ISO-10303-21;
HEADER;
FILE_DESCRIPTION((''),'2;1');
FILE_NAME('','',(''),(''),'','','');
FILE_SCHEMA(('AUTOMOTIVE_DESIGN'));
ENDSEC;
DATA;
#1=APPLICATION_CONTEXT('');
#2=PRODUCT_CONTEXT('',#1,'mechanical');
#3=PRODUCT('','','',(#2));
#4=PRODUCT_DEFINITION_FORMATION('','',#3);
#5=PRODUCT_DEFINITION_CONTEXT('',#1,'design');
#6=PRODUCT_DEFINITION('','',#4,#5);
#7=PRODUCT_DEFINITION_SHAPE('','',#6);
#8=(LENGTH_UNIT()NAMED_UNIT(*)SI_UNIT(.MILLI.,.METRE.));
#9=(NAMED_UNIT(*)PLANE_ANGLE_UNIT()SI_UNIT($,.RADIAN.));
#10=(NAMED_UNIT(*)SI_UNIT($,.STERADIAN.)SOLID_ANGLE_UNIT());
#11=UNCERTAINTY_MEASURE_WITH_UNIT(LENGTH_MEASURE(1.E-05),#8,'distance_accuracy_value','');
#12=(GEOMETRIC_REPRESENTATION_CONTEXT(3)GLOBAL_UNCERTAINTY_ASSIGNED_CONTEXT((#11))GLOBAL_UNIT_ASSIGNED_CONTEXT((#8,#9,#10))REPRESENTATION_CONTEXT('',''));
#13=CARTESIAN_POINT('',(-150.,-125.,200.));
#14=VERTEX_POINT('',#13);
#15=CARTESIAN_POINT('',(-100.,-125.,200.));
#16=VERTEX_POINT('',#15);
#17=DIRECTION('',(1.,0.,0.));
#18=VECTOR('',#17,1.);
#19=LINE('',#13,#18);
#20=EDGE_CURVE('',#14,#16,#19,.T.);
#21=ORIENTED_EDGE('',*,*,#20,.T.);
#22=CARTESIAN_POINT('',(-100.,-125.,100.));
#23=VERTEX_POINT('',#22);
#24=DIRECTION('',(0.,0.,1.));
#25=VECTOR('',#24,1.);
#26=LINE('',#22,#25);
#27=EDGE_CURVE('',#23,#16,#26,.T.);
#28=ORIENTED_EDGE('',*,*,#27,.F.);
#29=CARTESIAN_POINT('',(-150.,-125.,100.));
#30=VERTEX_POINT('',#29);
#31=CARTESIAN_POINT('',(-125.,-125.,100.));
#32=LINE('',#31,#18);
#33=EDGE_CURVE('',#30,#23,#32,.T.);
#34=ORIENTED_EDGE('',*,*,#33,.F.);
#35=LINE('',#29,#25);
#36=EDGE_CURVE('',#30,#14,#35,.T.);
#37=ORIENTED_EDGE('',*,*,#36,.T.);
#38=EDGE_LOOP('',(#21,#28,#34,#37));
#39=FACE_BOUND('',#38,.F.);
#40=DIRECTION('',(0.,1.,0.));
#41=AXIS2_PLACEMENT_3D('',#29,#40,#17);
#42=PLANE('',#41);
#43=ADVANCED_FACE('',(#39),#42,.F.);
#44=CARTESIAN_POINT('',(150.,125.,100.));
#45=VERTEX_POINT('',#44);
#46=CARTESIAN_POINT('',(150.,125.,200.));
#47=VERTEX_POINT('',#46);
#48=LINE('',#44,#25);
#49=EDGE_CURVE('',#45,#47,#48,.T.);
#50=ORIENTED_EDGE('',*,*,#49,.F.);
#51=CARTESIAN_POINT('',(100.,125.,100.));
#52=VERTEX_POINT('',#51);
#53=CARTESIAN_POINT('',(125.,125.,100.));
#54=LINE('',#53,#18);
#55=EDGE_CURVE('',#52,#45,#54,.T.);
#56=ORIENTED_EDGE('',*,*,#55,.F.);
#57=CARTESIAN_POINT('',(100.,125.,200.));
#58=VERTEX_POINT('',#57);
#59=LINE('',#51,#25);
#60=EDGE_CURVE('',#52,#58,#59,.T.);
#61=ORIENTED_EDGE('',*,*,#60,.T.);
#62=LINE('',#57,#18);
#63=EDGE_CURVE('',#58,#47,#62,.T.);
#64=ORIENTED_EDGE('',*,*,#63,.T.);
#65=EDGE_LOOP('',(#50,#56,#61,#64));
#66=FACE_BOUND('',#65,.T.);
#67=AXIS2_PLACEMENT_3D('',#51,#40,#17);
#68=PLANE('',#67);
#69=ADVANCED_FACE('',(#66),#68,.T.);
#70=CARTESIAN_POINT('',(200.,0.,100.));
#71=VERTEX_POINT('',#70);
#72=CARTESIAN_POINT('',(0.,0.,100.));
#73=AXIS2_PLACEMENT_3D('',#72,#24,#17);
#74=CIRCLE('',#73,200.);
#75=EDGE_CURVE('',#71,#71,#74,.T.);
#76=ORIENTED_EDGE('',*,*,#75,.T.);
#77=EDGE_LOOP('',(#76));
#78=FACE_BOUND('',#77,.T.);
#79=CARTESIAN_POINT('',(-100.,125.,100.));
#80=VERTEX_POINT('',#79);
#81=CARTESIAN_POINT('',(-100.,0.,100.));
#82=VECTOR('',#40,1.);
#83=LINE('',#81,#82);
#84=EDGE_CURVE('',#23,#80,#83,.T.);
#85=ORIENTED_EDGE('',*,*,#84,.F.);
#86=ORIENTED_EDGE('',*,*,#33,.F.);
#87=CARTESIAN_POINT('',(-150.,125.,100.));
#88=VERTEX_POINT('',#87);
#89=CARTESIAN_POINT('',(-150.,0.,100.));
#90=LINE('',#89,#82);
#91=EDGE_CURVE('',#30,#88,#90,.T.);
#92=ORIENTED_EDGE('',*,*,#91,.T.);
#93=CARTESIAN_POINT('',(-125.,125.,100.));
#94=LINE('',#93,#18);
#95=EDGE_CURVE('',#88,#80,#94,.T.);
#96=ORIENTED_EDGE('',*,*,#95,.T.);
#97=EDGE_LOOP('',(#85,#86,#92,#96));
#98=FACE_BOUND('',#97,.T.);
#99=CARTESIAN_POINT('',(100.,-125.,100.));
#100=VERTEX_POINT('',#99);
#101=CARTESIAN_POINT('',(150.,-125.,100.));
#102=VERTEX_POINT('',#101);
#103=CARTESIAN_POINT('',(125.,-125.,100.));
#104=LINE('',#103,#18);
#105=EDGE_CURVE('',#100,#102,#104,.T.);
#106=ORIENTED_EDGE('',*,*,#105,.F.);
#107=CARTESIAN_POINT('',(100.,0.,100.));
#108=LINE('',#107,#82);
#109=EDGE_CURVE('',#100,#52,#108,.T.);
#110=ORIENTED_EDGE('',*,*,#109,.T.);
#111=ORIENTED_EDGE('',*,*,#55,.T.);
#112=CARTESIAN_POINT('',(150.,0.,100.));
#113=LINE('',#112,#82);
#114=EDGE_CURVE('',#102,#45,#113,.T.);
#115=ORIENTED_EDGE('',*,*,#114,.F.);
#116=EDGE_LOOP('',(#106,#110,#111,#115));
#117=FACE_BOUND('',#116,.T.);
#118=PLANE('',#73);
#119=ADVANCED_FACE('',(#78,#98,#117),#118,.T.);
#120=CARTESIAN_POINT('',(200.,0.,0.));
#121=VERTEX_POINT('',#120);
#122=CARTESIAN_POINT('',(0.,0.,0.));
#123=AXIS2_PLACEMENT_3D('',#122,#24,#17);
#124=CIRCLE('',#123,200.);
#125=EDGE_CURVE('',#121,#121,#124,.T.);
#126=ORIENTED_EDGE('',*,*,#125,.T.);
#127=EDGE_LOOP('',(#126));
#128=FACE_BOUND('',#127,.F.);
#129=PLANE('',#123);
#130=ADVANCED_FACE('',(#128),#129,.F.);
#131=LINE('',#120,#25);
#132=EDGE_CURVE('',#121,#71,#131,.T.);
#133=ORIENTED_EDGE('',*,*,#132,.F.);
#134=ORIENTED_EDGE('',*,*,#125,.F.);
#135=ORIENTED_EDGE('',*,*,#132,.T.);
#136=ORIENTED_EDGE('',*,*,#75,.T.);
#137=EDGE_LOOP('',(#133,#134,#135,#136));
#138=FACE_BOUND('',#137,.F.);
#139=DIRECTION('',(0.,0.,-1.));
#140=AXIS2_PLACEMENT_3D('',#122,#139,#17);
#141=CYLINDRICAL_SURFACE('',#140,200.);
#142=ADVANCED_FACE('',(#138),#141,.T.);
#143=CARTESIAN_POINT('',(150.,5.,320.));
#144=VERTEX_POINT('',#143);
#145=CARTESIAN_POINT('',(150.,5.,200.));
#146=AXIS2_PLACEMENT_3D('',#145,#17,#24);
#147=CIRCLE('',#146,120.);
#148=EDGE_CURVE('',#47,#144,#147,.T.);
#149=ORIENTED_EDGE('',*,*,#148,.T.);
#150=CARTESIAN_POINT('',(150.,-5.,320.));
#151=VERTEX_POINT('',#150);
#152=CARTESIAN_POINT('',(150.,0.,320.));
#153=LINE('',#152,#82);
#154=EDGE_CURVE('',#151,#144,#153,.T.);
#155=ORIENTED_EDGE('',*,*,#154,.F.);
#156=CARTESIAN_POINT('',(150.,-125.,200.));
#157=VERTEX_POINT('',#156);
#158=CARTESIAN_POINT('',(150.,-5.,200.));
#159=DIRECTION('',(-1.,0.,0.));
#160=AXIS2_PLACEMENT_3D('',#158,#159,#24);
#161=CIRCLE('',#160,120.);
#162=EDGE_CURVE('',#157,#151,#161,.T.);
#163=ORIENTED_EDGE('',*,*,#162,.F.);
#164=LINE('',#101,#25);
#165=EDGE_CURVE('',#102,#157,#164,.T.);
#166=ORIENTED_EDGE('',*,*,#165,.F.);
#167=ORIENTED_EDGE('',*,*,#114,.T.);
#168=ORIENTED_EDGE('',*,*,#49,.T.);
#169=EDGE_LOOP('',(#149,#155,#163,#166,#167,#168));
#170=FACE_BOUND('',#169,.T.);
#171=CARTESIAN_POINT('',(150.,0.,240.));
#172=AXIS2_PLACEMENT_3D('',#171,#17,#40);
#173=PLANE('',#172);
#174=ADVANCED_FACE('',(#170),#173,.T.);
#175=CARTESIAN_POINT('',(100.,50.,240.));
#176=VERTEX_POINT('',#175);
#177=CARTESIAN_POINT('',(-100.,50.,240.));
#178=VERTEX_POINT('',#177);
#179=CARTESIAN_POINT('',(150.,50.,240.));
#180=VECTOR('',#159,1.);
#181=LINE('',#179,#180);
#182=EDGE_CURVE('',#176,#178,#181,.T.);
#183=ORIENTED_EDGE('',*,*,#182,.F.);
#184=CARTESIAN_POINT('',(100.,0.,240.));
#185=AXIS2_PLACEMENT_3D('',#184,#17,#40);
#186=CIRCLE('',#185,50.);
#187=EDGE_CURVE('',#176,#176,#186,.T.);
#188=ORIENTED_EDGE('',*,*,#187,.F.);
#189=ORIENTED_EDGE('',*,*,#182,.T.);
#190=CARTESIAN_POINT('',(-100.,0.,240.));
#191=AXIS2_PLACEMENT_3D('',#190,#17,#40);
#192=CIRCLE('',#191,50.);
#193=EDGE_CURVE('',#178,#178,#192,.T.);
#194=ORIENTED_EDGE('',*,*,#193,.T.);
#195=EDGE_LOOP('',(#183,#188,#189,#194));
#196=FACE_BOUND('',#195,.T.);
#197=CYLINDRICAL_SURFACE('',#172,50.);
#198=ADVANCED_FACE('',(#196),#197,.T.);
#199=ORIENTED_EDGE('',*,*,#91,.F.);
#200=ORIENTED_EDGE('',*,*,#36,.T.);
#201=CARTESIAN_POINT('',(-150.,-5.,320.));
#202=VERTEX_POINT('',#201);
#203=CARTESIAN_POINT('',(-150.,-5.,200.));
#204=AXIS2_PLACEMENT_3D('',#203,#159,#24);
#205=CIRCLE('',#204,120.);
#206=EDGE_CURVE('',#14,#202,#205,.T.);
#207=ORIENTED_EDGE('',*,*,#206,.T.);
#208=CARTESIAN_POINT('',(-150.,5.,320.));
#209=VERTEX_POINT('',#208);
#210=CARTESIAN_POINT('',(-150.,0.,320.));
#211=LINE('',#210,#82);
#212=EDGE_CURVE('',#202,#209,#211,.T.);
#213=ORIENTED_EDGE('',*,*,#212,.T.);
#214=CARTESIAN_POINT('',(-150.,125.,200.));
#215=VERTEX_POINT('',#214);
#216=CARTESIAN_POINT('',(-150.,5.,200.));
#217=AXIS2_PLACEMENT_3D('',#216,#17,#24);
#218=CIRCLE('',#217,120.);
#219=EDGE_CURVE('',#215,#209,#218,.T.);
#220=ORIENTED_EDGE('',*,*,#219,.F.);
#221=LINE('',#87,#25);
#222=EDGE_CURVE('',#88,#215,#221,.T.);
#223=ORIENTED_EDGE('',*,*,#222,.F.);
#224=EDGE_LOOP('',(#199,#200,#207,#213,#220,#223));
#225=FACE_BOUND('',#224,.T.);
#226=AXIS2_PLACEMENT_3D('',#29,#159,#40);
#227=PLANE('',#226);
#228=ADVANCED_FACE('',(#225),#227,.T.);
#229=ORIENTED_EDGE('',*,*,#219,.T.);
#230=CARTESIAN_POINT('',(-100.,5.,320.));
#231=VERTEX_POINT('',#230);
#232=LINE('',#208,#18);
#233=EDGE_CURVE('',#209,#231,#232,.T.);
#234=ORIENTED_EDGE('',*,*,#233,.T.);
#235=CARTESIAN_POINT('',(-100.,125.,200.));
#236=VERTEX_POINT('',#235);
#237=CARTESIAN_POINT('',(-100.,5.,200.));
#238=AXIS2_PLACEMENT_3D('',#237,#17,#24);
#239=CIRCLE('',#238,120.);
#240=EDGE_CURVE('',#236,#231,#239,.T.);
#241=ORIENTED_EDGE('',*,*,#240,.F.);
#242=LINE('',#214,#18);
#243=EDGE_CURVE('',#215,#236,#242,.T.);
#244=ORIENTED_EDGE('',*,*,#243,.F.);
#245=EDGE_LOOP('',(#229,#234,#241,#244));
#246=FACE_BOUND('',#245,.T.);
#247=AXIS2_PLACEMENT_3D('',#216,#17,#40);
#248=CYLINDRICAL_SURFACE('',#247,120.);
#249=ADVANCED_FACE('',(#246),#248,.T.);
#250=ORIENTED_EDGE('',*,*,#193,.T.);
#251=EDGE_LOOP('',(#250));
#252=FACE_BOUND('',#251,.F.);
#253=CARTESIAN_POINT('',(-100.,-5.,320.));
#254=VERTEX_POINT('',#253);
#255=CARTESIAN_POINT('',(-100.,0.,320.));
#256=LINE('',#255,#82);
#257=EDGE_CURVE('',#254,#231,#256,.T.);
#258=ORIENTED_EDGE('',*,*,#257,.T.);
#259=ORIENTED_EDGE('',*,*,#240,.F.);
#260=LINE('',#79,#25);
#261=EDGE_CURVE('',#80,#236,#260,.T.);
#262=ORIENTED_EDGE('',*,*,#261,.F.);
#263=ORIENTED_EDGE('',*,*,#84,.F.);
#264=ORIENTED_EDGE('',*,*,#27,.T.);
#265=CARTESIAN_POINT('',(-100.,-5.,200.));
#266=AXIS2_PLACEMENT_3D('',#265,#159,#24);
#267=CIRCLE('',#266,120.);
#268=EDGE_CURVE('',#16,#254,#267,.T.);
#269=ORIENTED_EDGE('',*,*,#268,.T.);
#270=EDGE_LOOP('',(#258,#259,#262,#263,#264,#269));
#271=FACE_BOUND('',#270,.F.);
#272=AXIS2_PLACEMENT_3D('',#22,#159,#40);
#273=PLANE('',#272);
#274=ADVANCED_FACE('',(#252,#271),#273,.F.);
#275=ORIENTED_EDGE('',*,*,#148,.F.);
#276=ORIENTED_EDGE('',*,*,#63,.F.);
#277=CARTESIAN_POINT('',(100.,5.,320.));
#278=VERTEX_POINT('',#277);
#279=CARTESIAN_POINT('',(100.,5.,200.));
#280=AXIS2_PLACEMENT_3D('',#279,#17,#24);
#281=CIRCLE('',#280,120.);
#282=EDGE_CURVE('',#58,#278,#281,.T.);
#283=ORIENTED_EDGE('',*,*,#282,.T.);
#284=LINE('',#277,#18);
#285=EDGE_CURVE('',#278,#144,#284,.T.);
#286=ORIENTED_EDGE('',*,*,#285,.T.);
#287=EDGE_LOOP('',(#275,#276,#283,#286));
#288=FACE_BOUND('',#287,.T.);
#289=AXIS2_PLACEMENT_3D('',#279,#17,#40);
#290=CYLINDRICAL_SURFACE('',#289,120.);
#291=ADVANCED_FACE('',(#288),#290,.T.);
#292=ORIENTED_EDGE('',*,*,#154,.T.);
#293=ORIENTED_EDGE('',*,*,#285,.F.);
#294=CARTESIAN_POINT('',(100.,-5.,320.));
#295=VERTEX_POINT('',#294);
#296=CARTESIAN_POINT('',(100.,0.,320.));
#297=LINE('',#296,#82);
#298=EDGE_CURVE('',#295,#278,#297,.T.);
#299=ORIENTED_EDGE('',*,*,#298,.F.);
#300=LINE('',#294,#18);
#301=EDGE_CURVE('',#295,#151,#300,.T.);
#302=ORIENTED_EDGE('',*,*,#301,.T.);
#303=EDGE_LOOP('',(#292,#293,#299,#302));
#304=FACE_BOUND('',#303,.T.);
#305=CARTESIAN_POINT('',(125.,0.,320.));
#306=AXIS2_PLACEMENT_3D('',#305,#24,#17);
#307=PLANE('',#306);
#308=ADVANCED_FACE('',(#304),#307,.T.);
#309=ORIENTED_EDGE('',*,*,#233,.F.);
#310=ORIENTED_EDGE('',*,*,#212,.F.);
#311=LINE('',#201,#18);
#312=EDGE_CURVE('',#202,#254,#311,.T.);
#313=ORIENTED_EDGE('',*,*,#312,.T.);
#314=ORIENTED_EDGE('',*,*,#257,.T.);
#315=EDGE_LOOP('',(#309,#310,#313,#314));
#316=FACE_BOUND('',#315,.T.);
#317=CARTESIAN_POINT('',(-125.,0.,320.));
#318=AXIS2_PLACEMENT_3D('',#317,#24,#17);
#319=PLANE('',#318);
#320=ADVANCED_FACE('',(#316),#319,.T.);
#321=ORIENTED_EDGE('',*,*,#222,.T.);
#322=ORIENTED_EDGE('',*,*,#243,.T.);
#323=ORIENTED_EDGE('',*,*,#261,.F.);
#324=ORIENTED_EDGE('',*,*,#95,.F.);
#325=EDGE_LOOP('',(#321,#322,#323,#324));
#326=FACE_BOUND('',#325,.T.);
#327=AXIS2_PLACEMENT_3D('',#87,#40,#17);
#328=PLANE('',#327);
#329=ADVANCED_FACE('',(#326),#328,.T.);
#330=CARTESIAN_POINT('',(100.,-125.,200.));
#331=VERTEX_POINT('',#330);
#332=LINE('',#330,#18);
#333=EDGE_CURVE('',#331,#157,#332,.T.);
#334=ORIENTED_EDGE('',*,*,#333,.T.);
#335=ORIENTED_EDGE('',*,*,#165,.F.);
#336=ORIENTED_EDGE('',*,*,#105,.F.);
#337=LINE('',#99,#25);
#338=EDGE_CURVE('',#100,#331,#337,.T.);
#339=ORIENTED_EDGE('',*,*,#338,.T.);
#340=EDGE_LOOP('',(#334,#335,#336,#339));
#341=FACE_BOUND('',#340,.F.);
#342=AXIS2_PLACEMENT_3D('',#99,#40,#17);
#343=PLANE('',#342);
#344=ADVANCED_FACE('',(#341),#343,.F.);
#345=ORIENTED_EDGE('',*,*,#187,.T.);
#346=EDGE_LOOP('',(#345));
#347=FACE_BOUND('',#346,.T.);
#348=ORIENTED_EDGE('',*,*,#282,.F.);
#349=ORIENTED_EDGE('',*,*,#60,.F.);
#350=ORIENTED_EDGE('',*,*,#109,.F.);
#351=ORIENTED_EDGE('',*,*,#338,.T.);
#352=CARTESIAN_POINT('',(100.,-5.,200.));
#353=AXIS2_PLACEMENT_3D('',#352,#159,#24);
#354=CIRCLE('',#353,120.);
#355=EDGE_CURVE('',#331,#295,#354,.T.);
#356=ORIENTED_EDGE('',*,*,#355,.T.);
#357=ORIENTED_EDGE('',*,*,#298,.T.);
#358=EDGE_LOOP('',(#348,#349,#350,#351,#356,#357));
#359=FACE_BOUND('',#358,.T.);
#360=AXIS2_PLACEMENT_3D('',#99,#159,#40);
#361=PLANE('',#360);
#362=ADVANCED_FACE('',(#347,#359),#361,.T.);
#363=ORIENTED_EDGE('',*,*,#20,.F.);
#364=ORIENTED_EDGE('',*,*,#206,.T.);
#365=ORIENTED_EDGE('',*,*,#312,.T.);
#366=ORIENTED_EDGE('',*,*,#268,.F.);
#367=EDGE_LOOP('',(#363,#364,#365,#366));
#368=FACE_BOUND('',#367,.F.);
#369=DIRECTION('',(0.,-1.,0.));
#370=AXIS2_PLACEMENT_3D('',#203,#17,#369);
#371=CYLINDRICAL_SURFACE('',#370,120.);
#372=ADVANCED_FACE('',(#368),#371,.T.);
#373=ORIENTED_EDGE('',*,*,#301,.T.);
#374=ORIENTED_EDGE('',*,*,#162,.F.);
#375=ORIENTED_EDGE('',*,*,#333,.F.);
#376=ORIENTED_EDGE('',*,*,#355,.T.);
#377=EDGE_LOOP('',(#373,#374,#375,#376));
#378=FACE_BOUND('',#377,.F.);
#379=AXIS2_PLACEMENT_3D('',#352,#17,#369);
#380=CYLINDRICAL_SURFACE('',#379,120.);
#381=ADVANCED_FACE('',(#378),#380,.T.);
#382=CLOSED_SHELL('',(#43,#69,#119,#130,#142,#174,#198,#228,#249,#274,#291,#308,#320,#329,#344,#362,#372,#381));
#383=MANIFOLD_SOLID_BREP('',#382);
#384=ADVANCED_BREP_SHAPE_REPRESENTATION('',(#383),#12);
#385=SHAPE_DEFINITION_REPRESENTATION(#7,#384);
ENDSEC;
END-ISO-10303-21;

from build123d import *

# Parameters (mm, degrees)
SKETCH_R     = 200
PAD_DEPTH    = 100
SKETCH001_W  = 50
SKETCH001_H  = 250
PAD001_DEPTH = 220
FILLET_R     = 120
SKETCH002_R  = 50
PAD002_DEPTH = 300


with BuildPart() as part:
    # Sketch → Pad (new body)
    with BuildSketch(Plane.XY):
        Circle(SKETCH_R)
    extrude(amount=PAD_DEPTH)

    # Sketch001 (on Face3 of Pad) → Pad001 (join)
    with BuildSketch(Plane.XY.offset(100)):
        with Locations((-125, 0)):
            Rectangle(SKETCH001_W, SKETCH001_H)
        with Locations((125, 0)):
            Rectangle(SKETCH001_W, SKETCH001_H)
    extrude(amount=PAD001_DEPTH)

    # Fillet
    fillet_edges = [part.edges().sort_by_distance(p)[0] for p in [
        (-125, -125, 320),
        (125, -125, 320),
        (125, 125, 320),
        (-125, 125, 320),
    ]]
    fillet(fillet_edges, radius=FILLET_R)

    # Sketch002 (on Face12 of Fillet) → Pad002 (join)
    with BuildSketch(Plane.YZ.offset(150)):
        with Locations((0, 240)):
            Circle(SKETCH002_R)
    extrude(amount=-PAD002_DEPTH)


solid = part.part
